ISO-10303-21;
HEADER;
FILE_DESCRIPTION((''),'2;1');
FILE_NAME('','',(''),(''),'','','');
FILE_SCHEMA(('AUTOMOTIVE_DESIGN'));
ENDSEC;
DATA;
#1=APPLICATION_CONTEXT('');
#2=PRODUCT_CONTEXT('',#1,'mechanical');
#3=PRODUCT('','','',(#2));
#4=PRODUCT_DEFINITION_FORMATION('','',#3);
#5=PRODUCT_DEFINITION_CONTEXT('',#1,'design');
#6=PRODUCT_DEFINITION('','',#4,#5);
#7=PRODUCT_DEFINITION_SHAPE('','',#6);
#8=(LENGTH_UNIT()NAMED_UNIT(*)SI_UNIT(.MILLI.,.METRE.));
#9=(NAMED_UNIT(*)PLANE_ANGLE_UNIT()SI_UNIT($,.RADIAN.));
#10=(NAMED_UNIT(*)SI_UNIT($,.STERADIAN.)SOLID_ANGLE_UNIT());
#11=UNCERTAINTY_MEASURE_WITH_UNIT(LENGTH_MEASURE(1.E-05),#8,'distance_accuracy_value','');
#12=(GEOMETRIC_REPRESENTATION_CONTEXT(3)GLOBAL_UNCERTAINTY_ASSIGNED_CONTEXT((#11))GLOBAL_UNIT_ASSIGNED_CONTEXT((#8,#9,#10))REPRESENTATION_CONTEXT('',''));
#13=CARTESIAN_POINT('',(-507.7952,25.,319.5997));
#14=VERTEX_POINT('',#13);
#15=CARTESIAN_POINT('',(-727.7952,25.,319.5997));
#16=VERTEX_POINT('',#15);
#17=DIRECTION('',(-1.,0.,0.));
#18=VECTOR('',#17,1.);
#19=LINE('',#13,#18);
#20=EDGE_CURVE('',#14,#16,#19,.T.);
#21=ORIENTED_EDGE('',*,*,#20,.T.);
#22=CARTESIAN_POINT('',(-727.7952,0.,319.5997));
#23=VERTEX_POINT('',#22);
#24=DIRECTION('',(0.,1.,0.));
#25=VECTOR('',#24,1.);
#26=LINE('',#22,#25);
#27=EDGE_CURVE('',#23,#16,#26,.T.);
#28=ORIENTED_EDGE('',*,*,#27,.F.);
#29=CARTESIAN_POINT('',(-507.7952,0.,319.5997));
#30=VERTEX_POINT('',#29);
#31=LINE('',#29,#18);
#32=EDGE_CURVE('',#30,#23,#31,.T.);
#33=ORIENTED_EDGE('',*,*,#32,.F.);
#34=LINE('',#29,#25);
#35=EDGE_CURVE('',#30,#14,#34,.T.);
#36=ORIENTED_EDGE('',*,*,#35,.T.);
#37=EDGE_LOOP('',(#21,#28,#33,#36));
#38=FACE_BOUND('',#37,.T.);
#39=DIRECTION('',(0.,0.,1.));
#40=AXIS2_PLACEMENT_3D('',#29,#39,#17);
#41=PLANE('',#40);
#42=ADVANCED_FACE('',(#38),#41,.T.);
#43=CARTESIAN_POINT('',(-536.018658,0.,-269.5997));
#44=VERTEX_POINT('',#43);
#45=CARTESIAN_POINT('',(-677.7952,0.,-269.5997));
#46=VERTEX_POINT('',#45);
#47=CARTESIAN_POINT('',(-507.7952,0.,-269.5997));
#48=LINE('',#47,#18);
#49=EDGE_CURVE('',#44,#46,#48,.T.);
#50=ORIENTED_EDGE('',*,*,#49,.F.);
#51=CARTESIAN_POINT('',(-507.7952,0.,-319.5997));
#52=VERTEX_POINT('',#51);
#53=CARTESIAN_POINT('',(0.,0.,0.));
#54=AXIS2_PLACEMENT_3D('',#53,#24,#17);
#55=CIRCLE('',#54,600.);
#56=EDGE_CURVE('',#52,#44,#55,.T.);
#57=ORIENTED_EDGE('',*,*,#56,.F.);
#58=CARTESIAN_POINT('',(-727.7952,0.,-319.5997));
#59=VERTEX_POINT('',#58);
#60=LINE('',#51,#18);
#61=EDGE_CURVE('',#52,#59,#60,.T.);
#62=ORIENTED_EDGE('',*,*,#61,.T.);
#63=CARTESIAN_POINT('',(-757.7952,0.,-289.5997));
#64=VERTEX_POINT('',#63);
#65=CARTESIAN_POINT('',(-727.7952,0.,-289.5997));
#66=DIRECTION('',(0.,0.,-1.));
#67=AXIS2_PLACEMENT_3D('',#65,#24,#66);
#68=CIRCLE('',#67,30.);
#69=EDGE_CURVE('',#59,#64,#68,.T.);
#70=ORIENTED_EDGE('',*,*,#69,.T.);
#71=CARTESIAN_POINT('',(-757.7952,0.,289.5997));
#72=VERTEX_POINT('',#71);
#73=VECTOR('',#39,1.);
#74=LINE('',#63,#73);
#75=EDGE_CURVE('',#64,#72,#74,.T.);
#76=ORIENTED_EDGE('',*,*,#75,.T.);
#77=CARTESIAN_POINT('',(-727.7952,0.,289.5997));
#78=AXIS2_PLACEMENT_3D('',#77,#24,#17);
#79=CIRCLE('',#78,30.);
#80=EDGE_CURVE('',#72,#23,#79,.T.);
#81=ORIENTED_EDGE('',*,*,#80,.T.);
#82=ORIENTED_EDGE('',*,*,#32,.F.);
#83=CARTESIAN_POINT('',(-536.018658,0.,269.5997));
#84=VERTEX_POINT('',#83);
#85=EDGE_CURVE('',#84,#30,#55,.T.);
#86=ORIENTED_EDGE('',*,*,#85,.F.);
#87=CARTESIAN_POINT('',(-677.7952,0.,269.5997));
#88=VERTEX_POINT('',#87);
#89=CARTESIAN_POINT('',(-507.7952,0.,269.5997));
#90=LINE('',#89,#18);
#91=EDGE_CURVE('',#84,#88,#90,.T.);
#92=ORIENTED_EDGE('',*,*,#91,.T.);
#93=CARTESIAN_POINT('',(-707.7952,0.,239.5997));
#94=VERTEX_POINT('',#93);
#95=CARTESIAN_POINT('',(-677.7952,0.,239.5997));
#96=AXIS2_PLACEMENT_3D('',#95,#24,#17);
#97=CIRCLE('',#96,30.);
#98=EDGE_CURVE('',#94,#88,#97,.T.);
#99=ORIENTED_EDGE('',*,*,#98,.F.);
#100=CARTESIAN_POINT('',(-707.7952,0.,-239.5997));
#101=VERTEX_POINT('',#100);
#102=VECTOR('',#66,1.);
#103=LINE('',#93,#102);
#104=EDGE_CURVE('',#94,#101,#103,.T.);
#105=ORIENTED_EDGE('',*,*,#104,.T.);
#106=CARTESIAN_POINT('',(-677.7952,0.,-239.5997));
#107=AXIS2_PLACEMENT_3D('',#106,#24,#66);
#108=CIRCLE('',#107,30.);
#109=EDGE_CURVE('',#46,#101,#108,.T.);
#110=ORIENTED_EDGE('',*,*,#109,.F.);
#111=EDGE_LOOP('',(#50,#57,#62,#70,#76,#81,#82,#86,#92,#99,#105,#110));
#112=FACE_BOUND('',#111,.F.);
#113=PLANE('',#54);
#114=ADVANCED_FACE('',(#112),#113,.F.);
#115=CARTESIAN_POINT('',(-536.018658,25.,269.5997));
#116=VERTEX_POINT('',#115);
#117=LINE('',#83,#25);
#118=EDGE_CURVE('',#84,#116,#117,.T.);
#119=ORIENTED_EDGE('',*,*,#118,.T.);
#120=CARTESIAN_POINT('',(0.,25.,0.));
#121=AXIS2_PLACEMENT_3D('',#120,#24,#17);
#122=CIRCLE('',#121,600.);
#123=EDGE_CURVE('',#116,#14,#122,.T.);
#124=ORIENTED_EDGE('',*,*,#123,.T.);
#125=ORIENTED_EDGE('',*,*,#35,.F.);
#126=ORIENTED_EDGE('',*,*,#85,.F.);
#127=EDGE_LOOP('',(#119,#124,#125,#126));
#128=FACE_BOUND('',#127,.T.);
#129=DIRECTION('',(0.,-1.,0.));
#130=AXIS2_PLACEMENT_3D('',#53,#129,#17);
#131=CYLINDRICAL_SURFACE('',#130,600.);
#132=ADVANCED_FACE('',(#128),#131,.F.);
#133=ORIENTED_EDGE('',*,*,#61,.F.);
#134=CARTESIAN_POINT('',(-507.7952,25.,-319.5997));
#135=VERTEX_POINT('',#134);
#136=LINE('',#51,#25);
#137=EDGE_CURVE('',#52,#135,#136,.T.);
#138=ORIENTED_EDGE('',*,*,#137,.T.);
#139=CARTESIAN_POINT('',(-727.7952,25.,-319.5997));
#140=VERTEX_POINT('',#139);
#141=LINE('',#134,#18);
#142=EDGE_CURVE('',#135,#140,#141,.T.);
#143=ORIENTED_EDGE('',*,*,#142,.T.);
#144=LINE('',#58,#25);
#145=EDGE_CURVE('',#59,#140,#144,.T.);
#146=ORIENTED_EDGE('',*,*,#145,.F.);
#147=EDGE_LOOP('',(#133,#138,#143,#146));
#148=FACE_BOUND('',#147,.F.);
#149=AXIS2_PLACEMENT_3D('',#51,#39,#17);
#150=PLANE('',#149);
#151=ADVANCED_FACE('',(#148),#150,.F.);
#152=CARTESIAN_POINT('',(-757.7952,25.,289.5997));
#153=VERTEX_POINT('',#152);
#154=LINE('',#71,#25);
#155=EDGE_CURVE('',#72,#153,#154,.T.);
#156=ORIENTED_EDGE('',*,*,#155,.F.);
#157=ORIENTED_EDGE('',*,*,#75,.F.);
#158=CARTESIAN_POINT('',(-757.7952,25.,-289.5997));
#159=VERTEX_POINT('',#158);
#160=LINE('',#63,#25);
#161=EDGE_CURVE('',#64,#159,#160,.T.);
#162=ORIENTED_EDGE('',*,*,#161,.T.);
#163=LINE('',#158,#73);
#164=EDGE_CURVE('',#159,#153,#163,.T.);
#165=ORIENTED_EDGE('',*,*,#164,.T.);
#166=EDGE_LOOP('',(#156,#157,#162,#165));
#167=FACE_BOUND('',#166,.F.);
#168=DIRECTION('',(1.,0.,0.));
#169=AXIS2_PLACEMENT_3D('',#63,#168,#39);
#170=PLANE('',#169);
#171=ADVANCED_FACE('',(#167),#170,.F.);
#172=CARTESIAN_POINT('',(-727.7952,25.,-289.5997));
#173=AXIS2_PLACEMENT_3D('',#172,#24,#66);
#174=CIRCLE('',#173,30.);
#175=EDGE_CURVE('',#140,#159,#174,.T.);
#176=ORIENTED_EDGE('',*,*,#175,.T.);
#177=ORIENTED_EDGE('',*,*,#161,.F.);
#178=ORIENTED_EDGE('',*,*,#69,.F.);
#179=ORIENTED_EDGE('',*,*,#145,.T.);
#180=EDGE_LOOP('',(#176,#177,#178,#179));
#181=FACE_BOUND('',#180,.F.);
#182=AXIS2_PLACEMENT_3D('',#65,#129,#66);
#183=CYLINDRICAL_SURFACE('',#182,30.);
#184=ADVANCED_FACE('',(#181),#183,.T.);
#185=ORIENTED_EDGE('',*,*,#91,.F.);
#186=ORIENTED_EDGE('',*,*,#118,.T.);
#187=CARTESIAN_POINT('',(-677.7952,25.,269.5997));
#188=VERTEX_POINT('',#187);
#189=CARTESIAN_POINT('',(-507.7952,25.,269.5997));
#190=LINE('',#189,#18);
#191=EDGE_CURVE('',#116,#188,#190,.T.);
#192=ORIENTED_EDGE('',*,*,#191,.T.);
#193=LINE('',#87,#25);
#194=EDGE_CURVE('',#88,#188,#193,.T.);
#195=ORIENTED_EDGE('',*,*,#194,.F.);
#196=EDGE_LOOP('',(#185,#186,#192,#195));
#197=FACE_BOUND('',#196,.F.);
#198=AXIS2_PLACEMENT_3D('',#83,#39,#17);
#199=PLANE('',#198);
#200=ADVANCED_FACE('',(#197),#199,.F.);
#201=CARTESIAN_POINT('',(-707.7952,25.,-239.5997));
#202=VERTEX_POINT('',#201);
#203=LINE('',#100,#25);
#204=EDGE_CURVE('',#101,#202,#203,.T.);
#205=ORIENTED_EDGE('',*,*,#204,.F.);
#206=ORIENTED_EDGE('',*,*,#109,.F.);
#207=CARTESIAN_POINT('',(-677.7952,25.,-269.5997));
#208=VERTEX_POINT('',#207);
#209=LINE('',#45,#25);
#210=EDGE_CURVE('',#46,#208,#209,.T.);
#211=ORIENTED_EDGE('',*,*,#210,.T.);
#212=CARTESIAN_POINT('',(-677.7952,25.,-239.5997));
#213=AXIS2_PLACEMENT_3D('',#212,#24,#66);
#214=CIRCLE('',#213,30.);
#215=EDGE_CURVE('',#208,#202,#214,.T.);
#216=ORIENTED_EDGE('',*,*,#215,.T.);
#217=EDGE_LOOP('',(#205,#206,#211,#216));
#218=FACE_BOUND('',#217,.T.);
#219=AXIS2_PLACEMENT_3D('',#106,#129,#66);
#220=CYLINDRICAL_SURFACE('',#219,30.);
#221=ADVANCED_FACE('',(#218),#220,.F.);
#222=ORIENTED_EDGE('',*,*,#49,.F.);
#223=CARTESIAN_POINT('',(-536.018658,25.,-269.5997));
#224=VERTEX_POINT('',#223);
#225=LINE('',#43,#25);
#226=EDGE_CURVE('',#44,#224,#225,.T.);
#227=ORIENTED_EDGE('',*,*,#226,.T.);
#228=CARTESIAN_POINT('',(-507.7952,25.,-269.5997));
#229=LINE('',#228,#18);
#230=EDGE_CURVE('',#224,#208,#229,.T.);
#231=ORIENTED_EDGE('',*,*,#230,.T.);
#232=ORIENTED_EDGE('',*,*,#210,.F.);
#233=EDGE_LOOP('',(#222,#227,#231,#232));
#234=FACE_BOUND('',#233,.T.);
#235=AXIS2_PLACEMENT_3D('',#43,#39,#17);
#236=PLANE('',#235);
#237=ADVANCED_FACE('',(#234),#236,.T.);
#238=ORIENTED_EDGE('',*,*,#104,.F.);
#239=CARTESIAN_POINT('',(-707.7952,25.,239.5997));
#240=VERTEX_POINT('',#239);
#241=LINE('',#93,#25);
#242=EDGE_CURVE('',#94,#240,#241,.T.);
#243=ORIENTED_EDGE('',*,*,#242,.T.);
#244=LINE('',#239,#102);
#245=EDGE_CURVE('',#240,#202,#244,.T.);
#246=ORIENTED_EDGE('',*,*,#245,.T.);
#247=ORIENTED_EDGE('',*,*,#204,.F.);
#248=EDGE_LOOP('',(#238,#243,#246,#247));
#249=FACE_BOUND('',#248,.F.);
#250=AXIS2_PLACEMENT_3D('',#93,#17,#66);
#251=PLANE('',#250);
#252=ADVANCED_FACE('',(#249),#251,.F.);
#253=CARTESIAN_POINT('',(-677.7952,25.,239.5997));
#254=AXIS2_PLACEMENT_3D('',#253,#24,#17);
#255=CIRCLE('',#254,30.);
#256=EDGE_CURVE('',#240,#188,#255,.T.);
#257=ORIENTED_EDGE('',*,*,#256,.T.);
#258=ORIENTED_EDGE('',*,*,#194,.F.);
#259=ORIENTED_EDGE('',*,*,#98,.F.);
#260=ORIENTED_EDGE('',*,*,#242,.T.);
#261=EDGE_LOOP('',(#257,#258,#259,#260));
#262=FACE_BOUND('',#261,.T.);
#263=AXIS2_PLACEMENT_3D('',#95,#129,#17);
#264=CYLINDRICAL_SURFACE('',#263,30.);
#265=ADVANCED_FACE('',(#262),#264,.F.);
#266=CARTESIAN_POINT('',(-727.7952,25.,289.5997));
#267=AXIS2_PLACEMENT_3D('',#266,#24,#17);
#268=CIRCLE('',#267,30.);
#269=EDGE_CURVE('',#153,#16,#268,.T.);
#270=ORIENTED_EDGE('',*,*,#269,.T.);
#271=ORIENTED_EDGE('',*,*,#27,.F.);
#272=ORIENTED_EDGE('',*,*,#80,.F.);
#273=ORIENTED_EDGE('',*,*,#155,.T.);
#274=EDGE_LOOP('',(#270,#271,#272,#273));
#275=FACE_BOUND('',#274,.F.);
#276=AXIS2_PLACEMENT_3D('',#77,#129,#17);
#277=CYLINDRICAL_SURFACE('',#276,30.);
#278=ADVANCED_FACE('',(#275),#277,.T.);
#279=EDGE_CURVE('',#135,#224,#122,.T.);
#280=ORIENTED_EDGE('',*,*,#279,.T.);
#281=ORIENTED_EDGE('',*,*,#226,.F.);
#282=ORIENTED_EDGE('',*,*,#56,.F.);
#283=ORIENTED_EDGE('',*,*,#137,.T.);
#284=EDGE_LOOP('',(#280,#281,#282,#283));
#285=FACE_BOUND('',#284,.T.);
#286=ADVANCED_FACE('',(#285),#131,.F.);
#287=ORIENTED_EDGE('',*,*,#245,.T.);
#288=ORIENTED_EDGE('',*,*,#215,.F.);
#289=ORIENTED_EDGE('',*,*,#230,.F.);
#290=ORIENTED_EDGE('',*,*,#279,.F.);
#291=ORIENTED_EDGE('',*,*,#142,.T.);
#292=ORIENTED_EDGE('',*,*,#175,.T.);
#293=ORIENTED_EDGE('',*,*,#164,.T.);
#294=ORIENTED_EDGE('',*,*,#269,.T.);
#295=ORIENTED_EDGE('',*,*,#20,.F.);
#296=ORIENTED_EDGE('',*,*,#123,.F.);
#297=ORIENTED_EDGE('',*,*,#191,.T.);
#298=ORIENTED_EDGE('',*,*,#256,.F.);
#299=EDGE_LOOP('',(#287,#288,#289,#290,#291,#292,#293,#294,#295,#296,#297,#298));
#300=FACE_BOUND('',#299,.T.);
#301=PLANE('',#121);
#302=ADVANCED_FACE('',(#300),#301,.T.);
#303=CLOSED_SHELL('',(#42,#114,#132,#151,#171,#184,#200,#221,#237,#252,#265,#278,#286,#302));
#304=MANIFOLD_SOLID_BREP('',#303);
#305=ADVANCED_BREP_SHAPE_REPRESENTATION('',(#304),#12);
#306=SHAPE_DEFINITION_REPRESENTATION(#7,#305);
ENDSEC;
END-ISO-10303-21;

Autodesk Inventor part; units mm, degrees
ref_plane "YZ Plane" through (0, 0, 0) normal (1, 0, 0) x (0, 1, 0)
ref_plane "XZ Plane" through (0, 0, 0) normal (0, 1, 0) x (-1, 0, 0)
ref_plane "XY Plane" through (0, 0, 0) normal (0, 0, 1) x (1, 0, 0)
sketch "Sketch1" plane through (0, 0, 0) normal (0, 1, 0) x (-1, 0, 0)
  circle A0 centre (0, 0) radius 600
  line L0 (0, 0) -> (507.7952, 0) construction
  line L1 (507.7952, 0) -> (507.7952, -319.5997) construction
  line L2 (507.7952, 0) -> (507.7952, 319.5997) construction
  line L3 (507.7952, 319.5997) -> (507.7952, 269.5997)
  line L4 (507.7952, -319.5997) -> (507.7952, -269.5997)
  line L5 (507.7952, 319.5997) -> (727.7952, 319.5997)
  line L6 (507.7952, -319.5997) -> (727.7952, -319.5997)
  line L7 (757.7952, -289.5997) -> (757.7952, 289.5997)
  line L8 (707.7952, 239.5997) -> (707.7952, -239.5997)
  line L9 (507.7952, -269.5997) -> (677.7952, -269.5997)
  line L10 (507.7952, 269.5997) -> (677.7952, 269.5997)
  arc A1 (757.7952, 289.5997) -> (727.7952, 319.5997) centre (727.7952, 289.5997) ccw
  arc A2 (727.7952, -319.5997) -> (757.7952, -289.5997) centre (727.7952, -289.5997) ccw
  arc A3 (677.7952, -269.5997) -> (707.7952, -239.5997) centre (677.7952, -239.5997) ccw
  arc A4 (707.7952, 239.5997) -> (677.7952, 269.5997) centre (677.7952, 239.5997) ccw
  point P0 (757.7952, 319.5997)
  point P1 (707.7952, 319.5997)
  point P2 (707.7952, -319.5997)
  point P3 (536.0186, 269.5997)
  point P4 (536.0186, -269.5997)
  dimension "d0" = 1200
  dimension "d1" = 50
  dimension "d2" = 319.5997
  dimension "d3" = 50
  dimension "d4" = 250
  dimension "d7" = 50
  dimension "d8" = 30
  dimension "d9" = 30
  dimension "d10" = 30
  dimension "d11" = 30
extrude "Extrusion1" add sketch "Sketch1" along normal blind 25 contours L5 A1 L7 A2 L6 A0 L9 A3 L8 A4 L10
properties part number "handlebar"
